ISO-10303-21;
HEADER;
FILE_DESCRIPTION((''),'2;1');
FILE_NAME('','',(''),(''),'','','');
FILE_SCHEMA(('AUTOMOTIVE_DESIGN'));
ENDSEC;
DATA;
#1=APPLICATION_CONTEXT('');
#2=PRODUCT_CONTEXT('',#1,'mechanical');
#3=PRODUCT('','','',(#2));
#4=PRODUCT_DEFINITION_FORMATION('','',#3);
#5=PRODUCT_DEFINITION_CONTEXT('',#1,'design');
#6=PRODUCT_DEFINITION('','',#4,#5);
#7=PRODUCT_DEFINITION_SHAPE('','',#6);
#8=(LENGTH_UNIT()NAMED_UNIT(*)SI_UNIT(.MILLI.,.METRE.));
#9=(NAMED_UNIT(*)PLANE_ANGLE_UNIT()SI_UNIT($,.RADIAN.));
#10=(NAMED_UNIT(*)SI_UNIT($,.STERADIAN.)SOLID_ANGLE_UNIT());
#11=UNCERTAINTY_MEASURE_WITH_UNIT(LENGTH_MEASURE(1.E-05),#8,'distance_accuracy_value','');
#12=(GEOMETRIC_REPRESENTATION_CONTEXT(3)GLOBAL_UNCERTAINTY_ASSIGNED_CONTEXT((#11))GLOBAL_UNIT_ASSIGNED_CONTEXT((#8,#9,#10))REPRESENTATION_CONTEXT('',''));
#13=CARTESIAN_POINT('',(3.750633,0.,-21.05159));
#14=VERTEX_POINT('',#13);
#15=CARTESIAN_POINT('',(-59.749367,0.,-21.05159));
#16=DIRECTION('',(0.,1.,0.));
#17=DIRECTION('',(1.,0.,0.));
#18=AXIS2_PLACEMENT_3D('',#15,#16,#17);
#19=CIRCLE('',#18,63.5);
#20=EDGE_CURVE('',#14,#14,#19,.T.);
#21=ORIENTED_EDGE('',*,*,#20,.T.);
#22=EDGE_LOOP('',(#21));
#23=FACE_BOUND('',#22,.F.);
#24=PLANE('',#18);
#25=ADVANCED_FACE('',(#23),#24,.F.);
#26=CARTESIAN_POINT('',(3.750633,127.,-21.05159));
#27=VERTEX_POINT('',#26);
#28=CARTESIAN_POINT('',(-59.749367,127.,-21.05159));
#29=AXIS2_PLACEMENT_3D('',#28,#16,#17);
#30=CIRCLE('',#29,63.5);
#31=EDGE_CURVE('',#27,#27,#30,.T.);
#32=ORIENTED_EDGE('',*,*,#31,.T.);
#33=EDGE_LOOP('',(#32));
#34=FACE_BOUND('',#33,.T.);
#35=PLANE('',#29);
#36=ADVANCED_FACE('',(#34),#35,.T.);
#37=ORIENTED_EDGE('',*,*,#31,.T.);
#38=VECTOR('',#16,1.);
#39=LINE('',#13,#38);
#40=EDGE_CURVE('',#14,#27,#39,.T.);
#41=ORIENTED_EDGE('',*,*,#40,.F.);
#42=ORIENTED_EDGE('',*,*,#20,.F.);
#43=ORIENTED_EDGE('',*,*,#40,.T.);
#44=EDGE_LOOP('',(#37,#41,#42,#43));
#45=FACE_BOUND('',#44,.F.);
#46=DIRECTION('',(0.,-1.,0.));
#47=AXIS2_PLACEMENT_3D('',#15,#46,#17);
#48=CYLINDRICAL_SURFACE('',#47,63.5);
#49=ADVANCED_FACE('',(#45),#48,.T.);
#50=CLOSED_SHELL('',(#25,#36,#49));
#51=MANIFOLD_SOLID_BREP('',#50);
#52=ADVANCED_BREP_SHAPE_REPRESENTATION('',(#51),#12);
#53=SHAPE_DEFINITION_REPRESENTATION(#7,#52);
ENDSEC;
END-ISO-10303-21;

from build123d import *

# Parameters (mm, degrees)
SKETCH1_R           = 63.5
BOSS_EXTRUDE1_DEPTH = 127


with BuildPart() as part:
    # Sketch1 → Boss-Extrude1 (new body)
    with BuildSketch(Plane(origin=(0, 0, 0), x_dir=(1, 0, 0), z_dir=(0, 1, 0))):
        with Locations((-59.749366975, 21.051590437)):
            Circle(SKETCH1_R)
    extrude(amount=BOSS_EXTRUDE1_DEPTH)


solid = part.part
